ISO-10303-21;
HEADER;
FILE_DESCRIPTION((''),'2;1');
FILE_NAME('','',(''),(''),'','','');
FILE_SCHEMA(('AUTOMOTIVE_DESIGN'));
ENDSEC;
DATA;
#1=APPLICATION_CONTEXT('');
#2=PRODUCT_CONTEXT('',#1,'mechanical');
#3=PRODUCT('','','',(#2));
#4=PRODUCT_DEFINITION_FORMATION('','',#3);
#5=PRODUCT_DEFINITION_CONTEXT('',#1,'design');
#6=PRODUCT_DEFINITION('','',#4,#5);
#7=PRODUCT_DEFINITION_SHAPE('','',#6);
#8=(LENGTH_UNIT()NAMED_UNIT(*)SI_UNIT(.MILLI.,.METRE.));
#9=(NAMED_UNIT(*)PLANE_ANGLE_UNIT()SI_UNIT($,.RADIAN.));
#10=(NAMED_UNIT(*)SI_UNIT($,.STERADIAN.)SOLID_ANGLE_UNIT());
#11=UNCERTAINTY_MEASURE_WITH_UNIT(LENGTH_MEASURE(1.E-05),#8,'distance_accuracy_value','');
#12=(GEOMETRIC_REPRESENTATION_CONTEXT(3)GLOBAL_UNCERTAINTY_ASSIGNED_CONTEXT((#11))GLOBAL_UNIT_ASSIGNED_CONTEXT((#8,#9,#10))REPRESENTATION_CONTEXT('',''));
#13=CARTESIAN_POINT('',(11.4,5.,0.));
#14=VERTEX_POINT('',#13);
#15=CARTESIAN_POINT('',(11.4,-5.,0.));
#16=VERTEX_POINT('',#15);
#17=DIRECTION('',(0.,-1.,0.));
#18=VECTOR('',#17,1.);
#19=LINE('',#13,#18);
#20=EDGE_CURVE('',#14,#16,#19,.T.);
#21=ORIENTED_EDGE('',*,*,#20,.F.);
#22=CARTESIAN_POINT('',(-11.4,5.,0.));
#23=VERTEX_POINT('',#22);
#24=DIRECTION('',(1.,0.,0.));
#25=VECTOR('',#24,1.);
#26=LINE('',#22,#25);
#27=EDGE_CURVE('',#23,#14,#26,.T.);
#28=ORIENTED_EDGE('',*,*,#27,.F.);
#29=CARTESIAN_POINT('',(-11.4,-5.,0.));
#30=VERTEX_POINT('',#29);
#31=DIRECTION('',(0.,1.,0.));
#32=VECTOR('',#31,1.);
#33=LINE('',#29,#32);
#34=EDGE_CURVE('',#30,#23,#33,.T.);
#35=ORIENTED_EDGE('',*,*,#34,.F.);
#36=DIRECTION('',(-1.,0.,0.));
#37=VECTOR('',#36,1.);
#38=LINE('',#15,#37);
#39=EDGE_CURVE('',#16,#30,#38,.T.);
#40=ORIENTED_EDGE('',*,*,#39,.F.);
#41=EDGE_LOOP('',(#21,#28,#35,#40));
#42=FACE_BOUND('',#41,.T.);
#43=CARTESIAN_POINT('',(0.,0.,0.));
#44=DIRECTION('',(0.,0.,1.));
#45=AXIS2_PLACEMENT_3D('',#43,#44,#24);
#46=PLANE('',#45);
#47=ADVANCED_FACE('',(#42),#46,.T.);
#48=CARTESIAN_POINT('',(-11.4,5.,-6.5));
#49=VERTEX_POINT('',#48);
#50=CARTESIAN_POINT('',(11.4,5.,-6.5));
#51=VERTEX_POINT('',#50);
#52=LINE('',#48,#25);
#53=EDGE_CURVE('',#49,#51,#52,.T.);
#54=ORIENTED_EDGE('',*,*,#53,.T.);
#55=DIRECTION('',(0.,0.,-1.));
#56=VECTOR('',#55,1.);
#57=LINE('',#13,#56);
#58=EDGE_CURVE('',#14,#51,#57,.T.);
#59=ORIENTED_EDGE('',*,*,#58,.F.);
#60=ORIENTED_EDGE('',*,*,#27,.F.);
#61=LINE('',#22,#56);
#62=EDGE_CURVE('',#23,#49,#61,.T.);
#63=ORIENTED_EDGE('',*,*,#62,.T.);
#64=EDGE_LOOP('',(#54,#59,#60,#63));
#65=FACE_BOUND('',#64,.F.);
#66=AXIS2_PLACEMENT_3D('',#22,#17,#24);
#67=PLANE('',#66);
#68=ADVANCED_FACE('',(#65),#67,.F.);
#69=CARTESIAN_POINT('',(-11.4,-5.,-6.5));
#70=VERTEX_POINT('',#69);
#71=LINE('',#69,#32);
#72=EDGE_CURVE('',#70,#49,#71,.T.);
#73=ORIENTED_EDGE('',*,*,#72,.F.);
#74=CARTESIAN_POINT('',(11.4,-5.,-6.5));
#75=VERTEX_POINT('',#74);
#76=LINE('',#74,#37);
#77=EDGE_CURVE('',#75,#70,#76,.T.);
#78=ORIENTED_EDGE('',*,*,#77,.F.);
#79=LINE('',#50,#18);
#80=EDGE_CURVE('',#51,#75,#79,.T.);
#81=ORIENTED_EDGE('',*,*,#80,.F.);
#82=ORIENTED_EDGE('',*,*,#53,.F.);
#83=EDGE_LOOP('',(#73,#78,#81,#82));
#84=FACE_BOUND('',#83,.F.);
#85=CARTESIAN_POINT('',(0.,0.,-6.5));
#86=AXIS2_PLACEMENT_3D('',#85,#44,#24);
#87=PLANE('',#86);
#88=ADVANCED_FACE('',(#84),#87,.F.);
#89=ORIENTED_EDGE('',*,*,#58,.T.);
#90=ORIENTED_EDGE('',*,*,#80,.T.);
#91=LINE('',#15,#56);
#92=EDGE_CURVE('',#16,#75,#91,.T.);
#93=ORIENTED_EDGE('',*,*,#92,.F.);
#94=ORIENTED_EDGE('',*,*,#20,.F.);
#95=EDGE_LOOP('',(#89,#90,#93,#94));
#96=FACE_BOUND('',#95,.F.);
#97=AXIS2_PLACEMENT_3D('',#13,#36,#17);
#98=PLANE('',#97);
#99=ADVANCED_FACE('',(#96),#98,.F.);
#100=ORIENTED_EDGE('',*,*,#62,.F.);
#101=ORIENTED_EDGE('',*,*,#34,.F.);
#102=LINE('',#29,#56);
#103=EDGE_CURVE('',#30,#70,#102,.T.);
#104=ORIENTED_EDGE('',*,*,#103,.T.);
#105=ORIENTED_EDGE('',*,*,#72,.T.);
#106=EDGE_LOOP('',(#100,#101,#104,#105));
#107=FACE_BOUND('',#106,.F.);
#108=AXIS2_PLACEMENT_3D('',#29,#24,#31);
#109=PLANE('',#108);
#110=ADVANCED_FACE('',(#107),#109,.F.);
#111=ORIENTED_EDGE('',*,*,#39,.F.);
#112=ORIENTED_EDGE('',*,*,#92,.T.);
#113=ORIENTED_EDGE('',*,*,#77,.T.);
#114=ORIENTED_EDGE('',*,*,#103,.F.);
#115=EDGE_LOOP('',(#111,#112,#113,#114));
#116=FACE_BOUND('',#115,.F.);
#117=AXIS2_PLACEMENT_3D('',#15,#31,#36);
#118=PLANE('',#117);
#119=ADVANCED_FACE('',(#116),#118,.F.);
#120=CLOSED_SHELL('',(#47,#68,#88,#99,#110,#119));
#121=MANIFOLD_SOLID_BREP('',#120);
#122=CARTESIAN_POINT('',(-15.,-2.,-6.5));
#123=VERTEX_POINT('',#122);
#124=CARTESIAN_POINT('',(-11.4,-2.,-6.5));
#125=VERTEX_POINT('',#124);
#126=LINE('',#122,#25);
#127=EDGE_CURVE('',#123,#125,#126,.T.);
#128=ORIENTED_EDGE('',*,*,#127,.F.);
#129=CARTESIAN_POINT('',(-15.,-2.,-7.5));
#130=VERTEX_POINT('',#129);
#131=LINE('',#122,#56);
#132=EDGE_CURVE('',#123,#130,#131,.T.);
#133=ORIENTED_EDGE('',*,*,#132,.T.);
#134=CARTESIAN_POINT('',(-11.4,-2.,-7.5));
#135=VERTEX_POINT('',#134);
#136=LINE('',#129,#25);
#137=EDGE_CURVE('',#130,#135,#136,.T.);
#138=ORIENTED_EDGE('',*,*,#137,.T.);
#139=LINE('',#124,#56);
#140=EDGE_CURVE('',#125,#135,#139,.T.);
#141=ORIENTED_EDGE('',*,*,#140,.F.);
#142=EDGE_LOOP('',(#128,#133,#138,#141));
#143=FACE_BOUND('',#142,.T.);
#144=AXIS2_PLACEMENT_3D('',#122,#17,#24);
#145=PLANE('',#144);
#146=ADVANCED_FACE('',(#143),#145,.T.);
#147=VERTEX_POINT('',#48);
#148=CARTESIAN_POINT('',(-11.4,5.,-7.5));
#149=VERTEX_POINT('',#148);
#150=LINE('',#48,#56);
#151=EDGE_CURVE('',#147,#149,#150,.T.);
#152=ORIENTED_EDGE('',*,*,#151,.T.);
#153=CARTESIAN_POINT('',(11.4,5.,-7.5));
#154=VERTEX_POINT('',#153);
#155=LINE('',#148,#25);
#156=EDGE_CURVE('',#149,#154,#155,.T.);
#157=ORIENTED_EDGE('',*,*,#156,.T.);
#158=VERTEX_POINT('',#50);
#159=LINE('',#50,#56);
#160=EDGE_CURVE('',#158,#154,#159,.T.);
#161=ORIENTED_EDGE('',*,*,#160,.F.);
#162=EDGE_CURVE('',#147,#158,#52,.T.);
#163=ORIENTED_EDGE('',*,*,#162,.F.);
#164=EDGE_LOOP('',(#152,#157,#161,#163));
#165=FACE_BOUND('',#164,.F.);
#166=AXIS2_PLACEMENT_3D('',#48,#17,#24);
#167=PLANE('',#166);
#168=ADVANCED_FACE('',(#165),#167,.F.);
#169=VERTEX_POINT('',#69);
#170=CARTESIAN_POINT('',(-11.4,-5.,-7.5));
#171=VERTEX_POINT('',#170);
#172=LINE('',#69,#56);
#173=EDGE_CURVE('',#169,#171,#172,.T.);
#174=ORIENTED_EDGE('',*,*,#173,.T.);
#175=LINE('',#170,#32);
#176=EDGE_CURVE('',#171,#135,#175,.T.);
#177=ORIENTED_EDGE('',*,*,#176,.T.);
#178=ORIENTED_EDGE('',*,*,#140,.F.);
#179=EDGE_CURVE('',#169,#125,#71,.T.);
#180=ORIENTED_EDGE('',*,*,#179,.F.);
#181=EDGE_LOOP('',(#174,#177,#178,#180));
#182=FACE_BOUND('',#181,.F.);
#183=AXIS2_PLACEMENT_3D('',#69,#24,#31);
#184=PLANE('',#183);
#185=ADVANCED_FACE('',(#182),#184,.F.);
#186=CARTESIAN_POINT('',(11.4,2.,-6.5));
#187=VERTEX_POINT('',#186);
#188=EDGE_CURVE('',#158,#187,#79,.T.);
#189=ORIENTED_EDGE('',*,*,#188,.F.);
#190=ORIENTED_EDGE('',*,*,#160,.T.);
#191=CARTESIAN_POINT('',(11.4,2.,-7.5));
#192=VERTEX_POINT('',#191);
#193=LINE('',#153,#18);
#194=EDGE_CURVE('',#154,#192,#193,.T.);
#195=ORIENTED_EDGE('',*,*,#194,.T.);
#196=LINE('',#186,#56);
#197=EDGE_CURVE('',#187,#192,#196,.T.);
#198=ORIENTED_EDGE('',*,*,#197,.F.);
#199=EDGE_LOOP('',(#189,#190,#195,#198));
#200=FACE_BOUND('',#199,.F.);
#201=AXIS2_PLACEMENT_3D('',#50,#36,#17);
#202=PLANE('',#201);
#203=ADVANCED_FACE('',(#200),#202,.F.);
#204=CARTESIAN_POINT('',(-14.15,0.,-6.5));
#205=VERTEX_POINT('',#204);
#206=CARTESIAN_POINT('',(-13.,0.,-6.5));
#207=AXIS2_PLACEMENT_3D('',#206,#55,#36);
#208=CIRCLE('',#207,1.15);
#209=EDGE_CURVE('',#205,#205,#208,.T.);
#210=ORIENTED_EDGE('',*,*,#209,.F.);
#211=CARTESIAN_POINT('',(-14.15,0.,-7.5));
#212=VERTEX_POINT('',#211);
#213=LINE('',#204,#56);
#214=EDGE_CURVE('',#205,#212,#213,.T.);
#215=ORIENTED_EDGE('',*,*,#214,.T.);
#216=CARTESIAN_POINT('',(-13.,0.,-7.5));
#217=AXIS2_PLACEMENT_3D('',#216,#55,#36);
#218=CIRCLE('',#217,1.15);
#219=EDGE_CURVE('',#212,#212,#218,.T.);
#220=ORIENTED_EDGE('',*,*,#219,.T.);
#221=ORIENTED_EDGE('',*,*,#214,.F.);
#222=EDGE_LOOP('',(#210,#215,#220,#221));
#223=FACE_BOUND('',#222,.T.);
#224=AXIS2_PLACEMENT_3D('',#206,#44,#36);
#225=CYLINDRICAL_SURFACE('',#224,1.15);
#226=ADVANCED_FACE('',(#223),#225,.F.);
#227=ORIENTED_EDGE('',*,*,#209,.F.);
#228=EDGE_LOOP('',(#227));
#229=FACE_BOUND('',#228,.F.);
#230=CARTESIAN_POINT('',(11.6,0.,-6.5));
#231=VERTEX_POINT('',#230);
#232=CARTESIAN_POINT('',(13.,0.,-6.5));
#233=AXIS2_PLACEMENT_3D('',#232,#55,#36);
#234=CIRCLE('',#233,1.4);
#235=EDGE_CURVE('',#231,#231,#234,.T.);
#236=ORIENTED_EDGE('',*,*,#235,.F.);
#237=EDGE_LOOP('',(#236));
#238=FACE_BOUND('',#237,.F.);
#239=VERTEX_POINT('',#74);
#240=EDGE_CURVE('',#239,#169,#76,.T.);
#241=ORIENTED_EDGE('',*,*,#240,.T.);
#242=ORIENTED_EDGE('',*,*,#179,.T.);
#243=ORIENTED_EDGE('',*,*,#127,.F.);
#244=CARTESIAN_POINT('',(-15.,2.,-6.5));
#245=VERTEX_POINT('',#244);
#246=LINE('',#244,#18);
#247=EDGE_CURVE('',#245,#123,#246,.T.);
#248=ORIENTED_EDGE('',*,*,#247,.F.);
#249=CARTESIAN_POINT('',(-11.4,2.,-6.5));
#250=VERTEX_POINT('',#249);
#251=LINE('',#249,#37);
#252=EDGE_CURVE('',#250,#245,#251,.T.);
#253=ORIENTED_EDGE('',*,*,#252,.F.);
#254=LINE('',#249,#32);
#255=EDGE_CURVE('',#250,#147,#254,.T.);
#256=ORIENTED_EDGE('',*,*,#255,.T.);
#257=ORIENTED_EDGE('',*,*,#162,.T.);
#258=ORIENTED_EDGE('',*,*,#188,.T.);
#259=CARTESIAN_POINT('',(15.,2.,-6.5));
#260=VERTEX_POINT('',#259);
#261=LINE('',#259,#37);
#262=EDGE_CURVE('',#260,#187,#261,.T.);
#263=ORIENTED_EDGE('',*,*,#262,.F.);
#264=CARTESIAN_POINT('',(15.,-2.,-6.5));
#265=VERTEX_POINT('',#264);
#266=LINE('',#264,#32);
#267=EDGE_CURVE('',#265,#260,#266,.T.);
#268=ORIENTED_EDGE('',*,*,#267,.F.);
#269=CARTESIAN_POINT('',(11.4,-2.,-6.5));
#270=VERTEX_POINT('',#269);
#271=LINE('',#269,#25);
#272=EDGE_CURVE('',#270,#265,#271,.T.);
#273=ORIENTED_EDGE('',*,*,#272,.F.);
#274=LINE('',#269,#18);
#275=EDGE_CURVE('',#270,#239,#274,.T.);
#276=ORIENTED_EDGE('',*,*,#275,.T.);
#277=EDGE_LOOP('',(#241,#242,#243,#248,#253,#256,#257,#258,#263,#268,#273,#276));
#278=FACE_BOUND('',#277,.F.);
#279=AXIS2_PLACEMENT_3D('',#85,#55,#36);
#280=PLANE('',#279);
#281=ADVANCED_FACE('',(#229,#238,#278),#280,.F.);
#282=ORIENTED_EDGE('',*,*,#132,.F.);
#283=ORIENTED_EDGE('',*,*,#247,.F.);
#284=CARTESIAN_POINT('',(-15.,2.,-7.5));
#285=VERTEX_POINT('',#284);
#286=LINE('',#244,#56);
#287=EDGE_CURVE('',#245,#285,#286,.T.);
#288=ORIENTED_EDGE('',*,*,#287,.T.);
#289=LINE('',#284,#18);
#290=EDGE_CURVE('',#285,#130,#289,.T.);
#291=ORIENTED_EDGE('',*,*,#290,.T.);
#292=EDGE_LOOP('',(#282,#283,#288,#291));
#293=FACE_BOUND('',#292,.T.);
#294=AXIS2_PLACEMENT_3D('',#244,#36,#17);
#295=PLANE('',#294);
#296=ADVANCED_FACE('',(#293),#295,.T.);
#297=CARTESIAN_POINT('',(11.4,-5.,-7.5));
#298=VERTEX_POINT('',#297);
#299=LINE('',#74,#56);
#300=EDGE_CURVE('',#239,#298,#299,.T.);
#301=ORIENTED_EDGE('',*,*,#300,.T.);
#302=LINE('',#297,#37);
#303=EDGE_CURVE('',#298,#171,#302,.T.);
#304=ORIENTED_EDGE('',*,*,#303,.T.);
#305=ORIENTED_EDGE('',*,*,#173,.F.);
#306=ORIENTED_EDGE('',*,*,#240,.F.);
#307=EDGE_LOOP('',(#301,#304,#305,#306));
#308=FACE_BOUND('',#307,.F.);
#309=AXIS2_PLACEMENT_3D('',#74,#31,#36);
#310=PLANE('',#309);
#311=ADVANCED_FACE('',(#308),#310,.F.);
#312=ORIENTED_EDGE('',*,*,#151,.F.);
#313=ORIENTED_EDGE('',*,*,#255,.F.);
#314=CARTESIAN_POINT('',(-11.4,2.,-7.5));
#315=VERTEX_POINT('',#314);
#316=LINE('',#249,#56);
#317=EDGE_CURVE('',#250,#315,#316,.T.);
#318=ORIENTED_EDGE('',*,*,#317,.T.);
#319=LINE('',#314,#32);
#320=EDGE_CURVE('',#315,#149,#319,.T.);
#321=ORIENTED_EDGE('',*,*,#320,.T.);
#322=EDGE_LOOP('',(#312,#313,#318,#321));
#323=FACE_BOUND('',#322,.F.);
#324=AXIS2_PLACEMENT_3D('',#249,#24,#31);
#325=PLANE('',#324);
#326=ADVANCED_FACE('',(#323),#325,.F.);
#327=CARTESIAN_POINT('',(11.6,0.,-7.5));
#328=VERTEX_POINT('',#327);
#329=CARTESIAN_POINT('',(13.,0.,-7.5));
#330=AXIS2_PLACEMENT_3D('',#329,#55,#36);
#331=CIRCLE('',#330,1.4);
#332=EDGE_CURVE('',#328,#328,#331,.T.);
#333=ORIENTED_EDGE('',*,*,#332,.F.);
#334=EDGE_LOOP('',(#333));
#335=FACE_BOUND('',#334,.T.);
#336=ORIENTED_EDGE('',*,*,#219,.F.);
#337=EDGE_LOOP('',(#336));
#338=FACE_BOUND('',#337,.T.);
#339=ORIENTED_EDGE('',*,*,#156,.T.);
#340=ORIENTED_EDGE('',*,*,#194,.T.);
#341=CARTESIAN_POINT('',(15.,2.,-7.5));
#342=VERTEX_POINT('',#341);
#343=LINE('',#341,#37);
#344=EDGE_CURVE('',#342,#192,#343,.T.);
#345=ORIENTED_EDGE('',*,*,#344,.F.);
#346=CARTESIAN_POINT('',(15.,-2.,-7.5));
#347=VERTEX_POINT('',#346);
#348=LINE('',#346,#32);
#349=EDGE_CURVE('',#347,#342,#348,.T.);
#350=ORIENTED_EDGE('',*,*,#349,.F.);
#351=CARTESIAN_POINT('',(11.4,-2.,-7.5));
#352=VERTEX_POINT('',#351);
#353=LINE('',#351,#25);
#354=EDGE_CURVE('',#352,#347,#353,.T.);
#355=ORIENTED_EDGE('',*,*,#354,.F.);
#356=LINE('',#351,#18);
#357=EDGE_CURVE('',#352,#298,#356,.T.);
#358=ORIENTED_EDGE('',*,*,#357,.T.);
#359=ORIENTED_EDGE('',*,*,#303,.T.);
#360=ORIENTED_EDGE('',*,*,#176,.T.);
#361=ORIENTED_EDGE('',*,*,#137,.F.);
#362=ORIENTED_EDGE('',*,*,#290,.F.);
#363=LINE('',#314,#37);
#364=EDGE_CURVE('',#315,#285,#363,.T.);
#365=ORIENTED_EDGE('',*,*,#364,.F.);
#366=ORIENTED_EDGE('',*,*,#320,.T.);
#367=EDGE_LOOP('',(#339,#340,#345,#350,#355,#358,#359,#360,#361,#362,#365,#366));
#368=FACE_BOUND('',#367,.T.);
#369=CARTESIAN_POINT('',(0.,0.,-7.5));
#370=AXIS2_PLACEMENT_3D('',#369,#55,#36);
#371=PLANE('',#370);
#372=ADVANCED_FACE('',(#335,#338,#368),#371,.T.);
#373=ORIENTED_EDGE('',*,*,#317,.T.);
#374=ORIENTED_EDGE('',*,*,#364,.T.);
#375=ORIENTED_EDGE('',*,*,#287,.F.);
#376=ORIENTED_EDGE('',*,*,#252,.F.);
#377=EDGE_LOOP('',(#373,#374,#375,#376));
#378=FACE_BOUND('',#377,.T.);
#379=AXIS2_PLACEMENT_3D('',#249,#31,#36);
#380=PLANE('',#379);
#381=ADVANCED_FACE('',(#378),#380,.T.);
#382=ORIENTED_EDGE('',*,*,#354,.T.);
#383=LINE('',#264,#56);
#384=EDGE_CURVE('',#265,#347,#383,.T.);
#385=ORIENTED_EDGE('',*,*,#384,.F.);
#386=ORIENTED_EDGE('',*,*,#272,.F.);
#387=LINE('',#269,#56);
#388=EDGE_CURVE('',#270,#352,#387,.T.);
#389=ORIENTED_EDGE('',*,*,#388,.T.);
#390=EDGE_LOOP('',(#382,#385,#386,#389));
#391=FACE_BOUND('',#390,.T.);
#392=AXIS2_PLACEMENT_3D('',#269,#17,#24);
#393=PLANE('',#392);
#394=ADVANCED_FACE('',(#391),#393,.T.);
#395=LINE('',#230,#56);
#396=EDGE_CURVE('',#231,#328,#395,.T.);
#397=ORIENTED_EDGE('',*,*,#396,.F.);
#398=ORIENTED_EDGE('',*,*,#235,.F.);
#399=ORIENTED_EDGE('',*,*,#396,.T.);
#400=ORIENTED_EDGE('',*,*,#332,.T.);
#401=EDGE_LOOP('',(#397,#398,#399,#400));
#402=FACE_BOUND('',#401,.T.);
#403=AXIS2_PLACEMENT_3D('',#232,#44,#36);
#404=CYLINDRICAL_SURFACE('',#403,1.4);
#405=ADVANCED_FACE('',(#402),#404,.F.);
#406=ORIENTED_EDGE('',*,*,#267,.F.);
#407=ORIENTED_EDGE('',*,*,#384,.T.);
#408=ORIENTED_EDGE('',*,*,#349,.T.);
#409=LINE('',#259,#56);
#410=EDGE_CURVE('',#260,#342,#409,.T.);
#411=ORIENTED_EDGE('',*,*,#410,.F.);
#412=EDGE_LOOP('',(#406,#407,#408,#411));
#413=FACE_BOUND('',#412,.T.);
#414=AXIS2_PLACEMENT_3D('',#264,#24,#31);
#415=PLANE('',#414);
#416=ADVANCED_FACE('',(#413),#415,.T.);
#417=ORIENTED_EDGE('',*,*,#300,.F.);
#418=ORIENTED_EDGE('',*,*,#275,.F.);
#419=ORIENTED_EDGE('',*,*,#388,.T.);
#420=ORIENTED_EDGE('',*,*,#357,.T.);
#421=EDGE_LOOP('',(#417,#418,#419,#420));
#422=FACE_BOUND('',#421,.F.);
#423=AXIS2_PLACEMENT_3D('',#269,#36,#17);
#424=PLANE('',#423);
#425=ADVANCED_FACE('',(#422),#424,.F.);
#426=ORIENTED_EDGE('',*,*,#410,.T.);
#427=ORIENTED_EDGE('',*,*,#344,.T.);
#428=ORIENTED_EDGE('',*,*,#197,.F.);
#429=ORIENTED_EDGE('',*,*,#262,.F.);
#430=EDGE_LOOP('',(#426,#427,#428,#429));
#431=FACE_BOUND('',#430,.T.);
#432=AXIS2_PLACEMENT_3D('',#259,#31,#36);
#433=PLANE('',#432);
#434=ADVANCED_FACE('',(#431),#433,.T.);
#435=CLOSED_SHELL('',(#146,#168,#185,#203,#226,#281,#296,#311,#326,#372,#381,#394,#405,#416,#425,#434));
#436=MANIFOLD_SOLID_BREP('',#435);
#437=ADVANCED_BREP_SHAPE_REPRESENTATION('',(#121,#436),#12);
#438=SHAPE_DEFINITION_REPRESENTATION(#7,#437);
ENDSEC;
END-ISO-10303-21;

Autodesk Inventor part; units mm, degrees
ref_plane "YZ Plane" through (0, 0, 0) normal (1, 0, 0) x (0, 1, 0)
ref_plane "XZ Plane" through (0, 0, 0) normal (0, 1, 0) x (-1, 0, 0)
ref_plane "XY Plane" through (0, 0, 0) normal (0, 0, 1) x (1, 0, 0)
sketch "Skizze1" plane through (0, 0, 0) normal (0, 0, 1) x (1, 0, 0)
  line L0 (-15.96, 0) -> (15.96, 0) construction
  line L1 (0, -7.0079) -> (0, 7.0013) construction
  line L2 (-11.4, 5) -> (11.4, 5)
  line L3 (11.4, 5) -> (11.4, -5)
  line L4 (11.4, -5) -> (-11.4, -5)
  line L5 (-11.4, -5) -> (-11.4, 5)
  point P0 (0, 0)
  dimension "d0" = 22.8
  dimension "d1" = 10
extrude "Extrusion1" add sketch "Skizze1" against normal blind 6.5
sketch "Skizze2" plane through (0, 0, -6.5) normal (0, 0, -1) x (-1, 0, 0)
  line L0 (-11.4, -5) -> (11.4, -5) construction
  line L1 (-11.4, 5) -> (-11.4, -5) construction
  line L2 (11.4, 5) -> (-11.4, 5) construction
  line L3 (11.4, -5) -> (11.4, 5) construction
  line L4 (21, 0) -> (-21, 0) construction
  line L5 (0, -7.0079) -> (0, 7.0013) construction
  line L6 (-11.4, -5) -> (11.4, -5)
  line L7 (11.4, 5) -> (-11.4, 5)
  line L8 (-11.4, -2) -> (-15, -2)
  line L9 (-15, -2) -> (-15, 2)
  line L10 (-15, 2) -> (-11.4, 2)
  line L11 (11.4, 2) -> (15, 2)
  line L12 (15, 2) -> (15, -2)
  line L13 (15, -2) -> (11.4, -2)
  circle A0 centre (-13, 0) radius 1.4
  circle A1 centre (13, 0) radius 1.15
  line L14 (-11.4, 5) -> (-11.4, 2)
  line L15 (-11.4, -2) -> (-11.4, -5)
  line L16 (11.4, -5) -> (11.4, -2)
  line L17 (11.4, 2) -> (11.4, 5)
  point P0 (0, 0)
  dimension "d4" = 4
  dimension "d6" = 30
  dimension "d7" = 2.8
  dimension "d8" = 2.3
  dimension "d9" = 26
extrude "Extrusion2" add sketch "Skizze2" along normal blind 1 separate body
sketch "Skizze3" plane through (0, 0, 0) normal (0, 0, 1) x (1, 0, 0)
  line L0 (-8.9441, 4.2214) -> (8.9948, 4.2214) construction
  line L1 (8.9948, 4.2214) -> (8.9948, -4.2459) construction
  line L2 (8.9948, -4.2459) -> (-8.9441, -4.2459) construction
  line L3 (-8.9441, -4.2459) -> (-8.9441, 4.2214) construction
  point P0 (0, 0)
decal "Aufkleber1"
properties part number "LED DC Digital Voltmeter 5V Display"
